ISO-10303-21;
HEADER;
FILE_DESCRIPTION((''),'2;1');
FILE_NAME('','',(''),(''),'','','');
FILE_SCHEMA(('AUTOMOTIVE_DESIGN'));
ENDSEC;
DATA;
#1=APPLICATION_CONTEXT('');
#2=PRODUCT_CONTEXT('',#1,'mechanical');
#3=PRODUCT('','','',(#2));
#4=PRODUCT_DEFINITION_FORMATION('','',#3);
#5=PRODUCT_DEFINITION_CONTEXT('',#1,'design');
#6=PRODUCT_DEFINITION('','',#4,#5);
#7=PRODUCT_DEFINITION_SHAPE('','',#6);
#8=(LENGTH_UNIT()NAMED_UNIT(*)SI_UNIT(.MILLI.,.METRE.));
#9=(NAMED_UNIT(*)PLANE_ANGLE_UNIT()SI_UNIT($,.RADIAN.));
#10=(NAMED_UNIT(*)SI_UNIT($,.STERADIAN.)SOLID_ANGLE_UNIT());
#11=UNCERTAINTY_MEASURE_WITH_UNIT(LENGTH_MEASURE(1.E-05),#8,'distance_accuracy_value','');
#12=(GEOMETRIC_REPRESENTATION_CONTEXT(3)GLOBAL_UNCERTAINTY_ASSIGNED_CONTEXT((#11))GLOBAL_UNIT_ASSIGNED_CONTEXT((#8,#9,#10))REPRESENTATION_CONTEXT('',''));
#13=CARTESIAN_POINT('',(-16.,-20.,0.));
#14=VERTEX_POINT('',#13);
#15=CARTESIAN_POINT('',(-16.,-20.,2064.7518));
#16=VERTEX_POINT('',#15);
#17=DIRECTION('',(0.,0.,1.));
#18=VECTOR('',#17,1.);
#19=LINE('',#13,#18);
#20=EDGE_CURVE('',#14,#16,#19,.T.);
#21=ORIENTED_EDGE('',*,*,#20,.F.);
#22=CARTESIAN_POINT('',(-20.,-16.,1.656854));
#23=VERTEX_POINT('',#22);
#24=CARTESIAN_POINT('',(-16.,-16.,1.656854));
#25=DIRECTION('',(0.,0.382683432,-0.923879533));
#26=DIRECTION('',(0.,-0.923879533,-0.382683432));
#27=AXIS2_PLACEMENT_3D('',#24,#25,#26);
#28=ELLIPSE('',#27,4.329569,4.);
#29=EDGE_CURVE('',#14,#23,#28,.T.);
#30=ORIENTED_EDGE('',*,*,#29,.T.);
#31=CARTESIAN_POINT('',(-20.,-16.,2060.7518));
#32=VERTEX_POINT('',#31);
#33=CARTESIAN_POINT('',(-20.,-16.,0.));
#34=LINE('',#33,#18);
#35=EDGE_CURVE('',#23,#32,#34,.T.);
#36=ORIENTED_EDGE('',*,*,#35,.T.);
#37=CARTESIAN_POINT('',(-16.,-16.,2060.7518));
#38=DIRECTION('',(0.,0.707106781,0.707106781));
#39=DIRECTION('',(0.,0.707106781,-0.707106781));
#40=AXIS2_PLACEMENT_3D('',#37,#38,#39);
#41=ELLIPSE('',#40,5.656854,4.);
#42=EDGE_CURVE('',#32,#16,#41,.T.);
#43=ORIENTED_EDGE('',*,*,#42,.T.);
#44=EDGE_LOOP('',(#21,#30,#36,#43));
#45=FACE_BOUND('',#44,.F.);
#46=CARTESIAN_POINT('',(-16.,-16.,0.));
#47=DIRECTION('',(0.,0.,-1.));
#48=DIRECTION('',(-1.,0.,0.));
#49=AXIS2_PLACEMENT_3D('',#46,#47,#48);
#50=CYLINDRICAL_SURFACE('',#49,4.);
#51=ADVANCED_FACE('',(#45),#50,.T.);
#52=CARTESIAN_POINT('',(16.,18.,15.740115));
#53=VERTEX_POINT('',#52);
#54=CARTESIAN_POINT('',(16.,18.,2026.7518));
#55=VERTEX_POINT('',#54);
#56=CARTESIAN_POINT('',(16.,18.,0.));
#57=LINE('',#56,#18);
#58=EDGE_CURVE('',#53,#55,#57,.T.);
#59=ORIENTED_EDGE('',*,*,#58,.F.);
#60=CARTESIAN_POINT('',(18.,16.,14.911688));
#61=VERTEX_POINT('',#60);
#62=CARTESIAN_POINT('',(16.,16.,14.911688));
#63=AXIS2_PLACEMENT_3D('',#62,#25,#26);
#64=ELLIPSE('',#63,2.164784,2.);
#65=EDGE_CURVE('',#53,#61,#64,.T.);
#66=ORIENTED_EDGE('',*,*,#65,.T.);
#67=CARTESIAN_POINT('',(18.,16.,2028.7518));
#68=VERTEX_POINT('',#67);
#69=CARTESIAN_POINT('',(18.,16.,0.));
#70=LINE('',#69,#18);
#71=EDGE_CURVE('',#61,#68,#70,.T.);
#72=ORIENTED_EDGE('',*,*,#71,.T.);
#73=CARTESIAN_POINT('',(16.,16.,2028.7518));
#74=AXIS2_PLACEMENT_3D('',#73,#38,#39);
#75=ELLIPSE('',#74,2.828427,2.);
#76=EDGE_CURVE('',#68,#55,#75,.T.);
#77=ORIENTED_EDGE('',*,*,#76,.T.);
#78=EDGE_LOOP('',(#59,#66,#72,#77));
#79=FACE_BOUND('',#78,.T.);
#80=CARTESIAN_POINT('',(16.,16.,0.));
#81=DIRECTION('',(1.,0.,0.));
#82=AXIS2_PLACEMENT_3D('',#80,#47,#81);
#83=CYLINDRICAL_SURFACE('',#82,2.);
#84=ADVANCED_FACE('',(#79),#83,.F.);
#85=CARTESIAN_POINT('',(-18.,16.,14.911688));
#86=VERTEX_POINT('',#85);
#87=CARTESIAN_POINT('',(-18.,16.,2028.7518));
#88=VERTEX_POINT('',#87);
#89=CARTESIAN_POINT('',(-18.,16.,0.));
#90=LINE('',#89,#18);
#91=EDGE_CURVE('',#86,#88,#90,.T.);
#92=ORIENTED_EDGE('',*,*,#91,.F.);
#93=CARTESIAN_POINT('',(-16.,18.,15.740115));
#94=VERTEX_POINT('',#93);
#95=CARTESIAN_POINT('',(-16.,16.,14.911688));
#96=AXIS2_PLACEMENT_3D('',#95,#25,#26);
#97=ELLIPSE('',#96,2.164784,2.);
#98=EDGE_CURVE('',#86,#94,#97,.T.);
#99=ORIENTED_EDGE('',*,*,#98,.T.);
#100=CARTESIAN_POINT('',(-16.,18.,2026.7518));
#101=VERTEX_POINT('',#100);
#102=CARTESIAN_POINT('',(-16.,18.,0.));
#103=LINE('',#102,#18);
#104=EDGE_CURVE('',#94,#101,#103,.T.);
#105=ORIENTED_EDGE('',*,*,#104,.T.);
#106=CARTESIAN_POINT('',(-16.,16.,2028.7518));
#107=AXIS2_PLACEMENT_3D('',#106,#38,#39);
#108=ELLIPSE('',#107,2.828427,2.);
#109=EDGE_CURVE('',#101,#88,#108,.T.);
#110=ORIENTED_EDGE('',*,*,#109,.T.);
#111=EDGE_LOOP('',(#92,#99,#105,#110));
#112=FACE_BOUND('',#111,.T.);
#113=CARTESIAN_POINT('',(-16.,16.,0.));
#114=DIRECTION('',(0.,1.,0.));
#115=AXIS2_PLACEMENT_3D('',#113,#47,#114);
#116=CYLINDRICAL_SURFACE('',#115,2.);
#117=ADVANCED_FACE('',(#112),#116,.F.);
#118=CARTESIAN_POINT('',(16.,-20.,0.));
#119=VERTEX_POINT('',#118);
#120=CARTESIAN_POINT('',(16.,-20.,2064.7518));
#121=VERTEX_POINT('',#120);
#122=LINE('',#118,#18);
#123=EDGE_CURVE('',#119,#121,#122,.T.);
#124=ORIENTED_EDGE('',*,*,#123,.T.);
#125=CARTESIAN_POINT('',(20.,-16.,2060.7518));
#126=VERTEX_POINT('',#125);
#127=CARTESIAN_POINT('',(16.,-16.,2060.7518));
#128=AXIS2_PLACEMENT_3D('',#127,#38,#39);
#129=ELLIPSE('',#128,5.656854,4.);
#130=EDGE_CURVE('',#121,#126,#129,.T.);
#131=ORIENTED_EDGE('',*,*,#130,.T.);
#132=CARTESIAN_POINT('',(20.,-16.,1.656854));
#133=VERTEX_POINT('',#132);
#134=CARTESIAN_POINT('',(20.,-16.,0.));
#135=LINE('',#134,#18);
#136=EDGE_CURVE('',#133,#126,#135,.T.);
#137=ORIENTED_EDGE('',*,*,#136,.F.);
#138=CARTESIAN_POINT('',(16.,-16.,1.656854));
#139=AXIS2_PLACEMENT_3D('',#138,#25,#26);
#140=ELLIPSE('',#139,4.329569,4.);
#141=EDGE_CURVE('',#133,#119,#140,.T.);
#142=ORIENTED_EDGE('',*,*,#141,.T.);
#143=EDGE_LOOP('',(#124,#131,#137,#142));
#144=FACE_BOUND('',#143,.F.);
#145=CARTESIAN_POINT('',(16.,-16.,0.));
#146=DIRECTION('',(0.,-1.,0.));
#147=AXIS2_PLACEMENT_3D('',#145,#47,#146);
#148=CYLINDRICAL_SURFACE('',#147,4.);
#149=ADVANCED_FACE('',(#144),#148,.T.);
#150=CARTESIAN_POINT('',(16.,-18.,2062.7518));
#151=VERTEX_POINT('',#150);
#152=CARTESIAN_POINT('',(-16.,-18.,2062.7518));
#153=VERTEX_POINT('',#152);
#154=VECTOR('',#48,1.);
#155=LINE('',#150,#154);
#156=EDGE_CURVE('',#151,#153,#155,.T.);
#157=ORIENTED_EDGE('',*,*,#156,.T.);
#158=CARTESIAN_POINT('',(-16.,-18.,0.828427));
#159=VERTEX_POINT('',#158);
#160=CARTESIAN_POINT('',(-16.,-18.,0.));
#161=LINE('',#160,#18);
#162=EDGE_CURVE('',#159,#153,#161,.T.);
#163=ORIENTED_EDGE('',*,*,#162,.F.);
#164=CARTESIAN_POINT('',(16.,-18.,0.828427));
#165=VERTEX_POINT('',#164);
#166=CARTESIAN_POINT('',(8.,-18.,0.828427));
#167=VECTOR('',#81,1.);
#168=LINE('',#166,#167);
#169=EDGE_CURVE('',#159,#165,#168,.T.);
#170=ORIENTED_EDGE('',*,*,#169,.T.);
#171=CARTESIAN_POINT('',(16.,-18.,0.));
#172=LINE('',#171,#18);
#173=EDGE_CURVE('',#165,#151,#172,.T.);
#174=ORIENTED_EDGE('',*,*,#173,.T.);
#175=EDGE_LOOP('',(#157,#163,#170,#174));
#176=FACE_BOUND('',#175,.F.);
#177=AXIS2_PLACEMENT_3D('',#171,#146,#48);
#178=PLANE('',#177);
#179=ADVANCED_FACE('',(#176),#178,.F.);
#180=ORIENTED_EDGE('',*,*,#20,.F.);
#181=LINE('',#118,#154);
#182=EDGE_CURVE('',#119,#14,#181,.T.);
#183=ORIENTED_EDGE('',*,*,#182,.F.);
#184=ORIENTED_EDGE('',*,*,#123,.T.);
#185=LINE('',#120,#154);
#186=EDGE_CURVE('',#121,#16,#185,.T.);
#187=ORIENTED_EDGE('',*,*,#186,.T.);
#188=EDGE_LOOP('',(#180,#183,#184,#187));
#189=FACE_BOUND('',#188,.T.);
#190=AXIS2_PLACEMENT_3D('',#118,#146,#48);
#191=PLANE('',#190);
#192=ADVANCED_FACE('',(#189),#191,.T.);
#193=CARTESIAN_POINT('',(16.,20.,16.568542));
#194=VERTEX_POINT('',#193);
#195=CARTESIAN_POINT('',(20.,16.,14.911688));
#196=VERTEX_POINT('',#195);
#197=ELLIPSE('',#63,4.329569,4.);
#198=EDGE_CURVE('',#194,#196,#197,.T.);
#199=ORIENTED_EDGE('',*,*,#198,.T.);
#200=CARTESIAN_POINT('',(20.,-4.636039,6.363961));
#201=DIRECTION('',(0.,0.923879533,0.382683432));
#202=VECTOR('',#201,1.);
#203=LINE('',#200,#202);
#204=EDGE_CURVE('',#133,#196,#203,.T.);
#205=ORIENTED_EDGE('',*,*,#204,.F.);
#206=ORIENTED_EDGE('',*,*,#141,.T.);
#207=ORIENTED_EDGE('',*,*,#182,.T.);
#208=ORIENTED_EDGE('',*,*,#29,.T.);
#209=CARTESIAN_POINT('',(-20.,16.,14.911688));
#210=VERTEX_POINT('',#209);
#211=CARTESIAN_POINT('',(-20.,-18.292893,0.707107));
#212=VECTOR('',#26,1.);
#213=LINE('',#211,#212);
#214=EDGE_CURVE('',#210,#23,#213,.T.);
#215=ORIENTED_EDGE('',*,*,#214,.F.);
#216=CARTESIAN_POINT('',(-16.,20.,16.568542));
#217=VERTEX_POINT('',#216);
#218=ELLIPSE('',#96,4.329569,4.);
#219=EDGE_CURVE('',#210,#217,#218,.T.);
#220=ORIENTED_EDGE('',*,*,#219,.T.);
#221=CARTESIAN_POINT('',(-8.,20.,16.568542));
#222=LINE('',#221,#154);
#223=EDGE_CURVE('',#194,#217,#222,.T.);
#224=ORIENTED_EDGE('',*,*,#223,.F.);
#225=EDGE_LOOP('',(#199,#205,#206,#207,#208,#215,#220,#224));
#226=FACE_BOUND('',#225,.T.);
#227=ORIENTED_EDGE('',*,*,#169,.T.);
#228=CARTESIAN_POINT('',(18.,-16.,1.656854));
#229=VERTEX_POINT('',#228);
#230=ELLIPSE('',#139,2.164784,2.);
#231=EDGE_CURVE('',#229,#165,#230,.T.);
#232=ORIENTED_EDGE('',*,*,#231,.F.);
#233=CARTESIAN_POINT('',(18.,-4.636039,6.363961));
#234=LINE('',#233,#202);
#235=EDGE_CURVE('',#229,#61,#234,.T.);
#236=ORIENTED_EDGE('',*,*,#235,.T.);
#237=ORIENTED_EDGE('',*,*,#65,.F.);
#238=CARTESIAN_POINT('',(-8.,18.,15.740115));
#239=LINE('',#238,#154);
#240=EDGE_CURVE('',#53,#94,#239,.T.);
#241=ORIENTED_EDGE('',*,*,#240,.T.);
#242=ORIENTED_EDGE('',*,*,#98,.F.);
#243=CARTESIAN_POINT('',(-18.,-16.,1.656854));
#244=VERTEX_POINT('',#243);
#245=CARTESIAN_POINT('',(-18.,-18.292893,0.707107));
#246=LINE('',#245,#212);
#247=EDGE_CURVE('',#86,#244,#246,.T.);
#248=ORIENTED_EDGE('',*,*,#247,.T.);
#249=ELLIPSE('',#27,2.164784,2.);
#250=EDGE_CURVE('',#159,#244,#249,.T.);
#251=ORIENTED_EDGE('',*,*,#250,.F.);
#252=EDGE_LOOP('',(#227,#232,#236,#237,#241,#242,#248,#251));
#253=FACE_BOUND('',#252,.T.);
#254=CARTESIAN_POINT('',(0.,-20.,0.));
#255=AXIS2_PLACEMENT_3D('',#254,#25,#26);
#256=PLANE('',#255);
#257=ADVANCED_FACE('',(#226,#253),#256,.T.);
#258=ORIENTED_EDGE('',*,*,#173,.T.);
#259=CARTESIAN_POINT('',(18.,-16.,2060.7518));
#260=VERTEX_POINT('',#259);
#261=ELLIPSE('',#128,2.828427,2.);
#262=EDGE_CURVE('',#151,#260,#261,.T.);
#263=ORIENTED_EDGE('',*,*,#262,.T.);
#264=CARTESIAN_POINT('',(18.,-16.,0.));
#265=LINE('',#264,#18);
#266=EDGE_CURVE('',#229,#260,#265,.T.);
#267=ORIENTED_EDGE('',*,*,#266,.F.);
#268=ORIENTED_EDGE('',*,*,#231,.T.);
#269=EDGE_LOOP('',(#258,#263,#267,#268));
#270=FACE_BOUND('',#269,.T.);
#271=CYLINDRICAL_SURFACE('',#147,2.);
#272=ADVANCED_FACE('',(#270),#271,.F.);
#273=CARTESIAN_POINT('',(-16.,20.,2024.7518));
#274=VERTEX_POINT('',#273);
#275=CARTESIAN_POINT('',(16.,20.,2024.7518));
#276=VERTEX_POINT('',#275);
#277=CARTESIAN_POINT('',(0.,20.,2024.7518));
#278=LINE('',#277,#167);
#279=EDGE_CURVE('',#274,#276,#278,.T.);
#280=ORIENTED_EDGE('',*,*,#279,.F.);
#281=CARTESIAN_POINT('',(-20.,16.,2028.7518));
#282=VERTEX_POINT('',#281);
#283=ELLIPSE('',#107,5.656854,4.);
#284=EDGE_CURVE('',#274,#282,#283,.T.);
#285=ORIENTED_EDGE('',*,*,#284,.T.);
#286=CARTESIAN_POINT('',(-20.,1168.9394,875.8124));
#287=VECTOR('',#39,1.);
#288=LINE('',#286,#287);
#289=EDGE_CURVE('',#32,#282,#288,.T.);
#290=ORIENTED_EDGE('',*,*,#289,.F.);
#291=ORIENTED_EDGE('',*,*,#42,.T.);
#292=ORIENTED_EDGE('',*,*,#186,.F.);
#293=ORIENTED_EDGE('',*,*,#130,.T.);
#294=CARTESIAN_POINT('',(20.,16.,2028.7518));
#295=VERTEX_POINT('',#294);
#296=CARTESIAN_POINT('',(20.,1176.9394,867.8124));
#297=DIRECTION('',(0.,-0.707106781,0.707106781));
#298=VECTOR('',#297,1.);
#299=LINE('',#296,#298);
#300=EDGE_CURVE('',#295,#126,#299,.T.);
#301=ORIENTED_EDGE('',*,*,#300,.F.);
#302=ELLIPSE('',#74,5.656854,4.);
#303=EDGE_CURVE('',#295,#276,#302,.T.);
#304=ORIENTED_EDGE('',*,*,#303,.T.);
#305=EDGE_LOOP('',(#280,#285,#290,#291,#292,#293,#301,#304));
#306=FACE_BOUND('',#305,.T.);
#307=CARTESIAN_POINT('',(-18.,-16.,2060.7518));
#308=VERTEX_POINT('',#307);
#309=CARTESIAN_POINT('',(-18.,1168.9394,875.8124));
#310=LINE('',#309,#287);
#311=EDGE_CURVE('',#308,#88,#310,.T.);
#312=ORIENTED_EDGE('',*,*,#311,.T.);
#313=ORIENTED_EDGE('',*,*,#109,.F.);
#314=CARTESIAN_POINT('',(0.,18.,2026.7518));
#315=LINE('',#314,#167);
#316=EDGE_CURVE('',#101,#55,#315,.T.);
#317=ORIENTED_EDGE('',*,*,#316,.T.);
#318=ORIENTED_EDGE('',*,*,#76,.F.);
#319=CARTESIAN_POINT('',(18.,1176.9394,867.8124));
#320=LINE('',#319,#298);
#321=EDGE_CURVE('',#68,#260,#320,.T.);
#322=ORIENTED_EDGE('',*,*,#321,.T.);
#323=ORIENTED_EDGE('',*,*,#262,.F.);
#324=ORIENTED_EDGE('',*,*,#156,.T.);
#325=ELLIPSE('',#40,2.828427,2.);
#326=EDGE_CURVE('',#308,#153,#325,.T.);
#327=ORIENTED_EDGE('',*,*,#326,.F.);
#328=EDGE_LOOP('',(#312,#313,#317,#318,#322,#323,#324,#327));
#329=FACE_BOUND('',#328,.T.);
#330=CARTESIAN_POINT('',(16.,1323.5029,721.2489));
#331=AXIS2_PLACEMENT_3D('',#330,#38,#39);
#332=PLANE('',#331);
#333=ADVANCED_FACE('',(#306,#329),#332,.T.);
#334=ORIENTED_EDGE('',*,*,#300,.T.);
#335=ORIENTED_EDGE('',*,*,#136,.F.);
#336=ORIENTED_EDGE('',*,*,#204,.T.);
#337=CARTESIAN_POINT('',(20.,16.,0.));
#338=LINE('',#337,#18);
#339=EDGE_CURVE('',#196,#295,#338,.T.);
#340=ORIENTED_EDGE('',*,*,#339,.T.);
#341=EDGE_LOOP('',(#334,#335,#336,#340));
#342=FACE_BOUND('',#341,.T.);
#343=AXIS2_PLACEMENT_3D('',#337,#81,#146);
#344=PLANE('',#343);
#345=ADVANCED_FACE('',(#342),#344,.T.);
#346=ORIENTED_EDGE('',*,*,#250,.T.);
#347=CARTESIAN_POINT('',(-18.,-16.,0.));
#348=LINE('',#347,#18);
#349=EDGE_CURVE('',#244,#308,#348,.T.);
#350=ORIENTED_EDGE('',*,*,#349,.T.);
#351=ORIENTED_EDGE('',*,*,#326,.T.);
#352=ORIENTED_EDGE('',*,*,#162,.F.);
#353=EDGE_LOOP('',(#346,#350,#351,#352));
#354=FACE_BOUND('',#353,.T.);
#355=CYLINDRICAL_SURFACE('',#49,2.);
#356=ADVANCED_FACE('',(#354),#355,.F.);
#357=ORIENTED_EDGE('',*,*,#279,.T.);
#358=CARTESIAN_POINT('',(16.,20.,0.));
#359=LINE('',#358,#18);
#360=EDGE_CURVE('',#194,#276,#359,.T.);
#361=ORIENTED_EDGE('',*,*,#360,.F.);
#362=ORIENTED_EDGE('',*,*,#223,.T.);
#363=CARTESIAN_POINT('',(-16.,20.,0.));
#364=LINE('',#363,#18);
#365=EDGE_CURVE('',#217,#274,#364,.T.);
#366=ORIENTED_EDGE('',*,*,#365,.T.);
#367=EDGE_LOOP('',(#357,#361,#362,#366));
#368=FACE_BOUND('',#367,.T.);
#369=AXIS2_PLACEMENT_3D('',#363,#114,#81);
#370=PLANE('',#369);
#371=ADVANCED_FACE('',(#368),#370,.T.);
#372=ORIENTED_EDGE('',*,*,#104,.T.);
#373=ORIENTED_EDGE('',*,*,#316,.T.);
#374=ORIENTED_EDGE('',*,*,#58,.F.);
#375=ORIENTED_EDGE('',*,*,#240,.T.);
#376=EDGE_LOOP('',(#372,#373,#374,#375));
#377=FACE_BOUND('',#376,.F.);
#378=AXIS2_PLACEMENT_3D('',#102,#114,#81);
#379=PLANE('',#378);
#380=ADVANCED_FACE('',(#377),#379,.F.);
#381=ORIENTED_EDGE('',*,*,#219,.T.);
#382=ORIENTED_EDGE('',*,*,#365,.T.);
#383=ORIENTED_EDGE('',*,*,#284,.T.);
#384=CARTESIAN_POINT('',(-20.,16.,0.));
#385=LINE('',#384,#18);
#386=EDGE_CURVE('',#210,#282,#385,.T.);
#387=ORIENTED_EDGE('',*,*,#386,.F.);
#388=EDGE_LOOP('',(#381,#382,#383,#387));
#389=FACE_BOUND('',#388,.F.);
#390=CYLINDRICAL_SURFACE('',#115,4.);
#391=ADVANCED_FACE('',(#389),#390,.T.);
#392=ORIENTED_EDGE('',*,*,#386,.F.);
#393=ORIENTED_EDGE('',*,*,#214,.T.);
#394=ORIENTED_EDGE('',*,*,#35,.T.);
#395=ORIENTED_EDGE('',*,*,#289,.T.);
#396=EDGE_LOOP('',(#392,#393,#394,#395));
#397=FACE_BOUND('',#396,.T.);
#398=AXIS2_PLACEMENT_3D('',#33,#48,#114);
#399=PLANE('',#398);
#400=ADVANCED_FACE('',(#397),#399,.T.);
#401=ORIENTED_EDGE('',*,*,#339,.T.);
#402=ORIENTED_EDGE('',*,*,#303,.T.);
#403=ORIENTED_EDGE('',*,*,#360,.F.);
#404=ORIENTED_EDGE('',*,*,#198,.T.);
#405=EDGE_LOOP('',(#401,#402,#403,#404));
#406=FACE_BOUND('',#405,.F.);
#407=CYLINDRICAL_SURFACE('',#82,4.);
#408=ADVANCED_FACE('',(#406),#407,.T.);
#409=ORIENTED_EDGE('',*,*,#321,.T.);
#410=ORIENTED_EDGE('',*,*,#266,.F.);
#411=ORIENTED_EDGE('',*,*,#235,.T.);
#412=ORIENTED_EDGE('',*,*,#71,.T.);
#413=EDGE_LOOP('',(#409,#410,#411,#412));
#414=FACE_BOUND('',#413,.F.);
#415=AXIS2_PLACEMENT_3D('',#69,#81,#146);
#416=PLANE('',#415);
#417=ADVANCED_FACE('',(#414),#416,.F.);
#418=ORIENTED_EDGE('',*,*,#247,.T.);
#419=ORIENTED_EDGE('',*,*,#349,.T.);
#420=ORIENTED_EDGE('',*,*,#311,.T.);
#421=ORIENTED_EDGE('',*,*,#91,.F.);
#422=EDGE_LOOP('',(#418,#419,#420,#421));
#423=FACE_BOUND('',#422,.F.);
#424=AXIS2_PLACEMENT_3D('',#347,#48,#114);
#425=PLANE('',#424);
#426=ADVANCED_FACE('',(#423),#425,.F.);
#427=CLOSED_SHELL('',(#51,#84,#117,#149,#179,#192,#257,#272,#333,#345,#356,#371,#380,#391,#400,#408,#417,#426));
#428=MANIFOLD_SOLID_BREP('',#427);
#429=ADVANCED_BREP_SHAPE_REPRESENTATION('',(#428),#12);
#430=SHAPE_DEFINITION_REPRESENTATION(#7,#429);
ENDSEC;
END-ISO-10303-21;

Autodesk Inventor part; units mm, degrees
ref_plane "Start Plane" through (0, 0, 0) normal (0, 0, 1) x (1, 0, 0)
ref_plane "End Plane" through (0, 0, 2064.7518) normal (0, 0, 1) x (1, 0, 0)
sketch "Sketch" plane through (0, 0, 0) normal (0, 0, 1) x (1, 0, 0)
  line L0 (-20, -16) -> (-20, 16)
  line L1 (-16, 20) -> (16, 20)
  line L2 (20, 16) -> (20, -16)
  line L3 (16, -20) -> (-16, -20)
  arc A0 (-20, -16) -> (-16, -20) centre (-16, -16) ccw
  arc A1 (20, 16) -> (16, 20) centre (16, 16) ccw
  arc A2 (-16, 20) -> (-20, 16) centre (-16, 16) ccw
  arc A3 (16, -20) -> (20, -16) centre (16, -16) ccw
  arc A4 (-16, 18) -> (-18, 16) centre (-16, 16) ccw
  line L4 (-16, 18) -> (16, 18)
  arc A5 (18, 16) -> (16, 18) centre (16, 16) ccw
  line L5 (18, 16) -> (18, -16)
  arc A6 (16, -18) -> (18, -16) centre (16, -16) ccw
  line L6 (16, -18) -> (-16, -18)
  arc A7 (-18, -16) -> (-16, -18) centre (-16, -16) ccw
  line L7 (-18, -16) -> (-18, 16)
  line L8 (0, 29.1598) -> (0, -29.1598) construction
  line L9 (-29.1598, 0) -> (29.1598, 0) construction
  dimension "d7" = 4
  dimension "d9" = 40
  dimension "d11" = 40
  dimension "d12" = 2
  dimension "d15" = 20
  dimension "d16" = 20
extrude "Body" add sketch "Sketch" along normal up to surface (2064.7518 mm away) from surface at 0
sketch "Sketch3" plane through (0, 0, 0) normal (0, 0, 1) x (1, 0, 0)
  line L0 (0, 0) -> (10, 0)
ref_plane "Work Plane3" through (0, 0, 0) normal (0, -1, 0) x (1, 0, 0)
ref_plane "Work Plane4" through (0, -20, 0) normal (0, 0.3827, -0.9239) x (1, 0, 0)
split "Split1" plane through (0, -20, 0) removes the side toward (0, 0.3827, -0.9239)
ref_plane "Work Plane5" through (16, 1323.5029, 721.2489) normal (0, 0.7071, 0.7071) x (1, 0, 0)
split "Split2" plane through (16, 1323.5029, 721.2489) removes the side toward (0, 0.7071, 0.7071)
sketch "Sketch4" plane through (0, 0, 0) normal (0, -1, 0) x (1, 0, 0)
  line L0 (-2, 0) -> (12, 0) projected
  line L1 (-2, 2064.7518) -> (12, 2064.7518) projected
  dimension "d18" = 2064.7518
equation "\"d7\" = G_IR"
equation "\"d9\" = G_W"
equation "\"d11\" = G_H"
equation "\"d12\" = G_T"
equation "\"d15\" = 0.5 * d9"
equation "\"d16\" = 0.5 * d11"
equation "\"d3\" = G_L"
equation "\"G_W\" = 40"
equation "\"G_H\" = 40"
equation "\"G_T\" = 2"
equation "\"G_IR\" = 4"
equation "\"G_L\" = d18"
equation "\"G_OFFSET_START\" = 0"
equation "\"G_OFFSET_END\" = -56.56854"
equation "\"d14\" = G_OFFSET_END + B_L"
equation "\"B_L\" = 2121.32034"
properties part number "ISO 10799-2 - 40x40x2 - 2064,75" material "Stainless Steel"
